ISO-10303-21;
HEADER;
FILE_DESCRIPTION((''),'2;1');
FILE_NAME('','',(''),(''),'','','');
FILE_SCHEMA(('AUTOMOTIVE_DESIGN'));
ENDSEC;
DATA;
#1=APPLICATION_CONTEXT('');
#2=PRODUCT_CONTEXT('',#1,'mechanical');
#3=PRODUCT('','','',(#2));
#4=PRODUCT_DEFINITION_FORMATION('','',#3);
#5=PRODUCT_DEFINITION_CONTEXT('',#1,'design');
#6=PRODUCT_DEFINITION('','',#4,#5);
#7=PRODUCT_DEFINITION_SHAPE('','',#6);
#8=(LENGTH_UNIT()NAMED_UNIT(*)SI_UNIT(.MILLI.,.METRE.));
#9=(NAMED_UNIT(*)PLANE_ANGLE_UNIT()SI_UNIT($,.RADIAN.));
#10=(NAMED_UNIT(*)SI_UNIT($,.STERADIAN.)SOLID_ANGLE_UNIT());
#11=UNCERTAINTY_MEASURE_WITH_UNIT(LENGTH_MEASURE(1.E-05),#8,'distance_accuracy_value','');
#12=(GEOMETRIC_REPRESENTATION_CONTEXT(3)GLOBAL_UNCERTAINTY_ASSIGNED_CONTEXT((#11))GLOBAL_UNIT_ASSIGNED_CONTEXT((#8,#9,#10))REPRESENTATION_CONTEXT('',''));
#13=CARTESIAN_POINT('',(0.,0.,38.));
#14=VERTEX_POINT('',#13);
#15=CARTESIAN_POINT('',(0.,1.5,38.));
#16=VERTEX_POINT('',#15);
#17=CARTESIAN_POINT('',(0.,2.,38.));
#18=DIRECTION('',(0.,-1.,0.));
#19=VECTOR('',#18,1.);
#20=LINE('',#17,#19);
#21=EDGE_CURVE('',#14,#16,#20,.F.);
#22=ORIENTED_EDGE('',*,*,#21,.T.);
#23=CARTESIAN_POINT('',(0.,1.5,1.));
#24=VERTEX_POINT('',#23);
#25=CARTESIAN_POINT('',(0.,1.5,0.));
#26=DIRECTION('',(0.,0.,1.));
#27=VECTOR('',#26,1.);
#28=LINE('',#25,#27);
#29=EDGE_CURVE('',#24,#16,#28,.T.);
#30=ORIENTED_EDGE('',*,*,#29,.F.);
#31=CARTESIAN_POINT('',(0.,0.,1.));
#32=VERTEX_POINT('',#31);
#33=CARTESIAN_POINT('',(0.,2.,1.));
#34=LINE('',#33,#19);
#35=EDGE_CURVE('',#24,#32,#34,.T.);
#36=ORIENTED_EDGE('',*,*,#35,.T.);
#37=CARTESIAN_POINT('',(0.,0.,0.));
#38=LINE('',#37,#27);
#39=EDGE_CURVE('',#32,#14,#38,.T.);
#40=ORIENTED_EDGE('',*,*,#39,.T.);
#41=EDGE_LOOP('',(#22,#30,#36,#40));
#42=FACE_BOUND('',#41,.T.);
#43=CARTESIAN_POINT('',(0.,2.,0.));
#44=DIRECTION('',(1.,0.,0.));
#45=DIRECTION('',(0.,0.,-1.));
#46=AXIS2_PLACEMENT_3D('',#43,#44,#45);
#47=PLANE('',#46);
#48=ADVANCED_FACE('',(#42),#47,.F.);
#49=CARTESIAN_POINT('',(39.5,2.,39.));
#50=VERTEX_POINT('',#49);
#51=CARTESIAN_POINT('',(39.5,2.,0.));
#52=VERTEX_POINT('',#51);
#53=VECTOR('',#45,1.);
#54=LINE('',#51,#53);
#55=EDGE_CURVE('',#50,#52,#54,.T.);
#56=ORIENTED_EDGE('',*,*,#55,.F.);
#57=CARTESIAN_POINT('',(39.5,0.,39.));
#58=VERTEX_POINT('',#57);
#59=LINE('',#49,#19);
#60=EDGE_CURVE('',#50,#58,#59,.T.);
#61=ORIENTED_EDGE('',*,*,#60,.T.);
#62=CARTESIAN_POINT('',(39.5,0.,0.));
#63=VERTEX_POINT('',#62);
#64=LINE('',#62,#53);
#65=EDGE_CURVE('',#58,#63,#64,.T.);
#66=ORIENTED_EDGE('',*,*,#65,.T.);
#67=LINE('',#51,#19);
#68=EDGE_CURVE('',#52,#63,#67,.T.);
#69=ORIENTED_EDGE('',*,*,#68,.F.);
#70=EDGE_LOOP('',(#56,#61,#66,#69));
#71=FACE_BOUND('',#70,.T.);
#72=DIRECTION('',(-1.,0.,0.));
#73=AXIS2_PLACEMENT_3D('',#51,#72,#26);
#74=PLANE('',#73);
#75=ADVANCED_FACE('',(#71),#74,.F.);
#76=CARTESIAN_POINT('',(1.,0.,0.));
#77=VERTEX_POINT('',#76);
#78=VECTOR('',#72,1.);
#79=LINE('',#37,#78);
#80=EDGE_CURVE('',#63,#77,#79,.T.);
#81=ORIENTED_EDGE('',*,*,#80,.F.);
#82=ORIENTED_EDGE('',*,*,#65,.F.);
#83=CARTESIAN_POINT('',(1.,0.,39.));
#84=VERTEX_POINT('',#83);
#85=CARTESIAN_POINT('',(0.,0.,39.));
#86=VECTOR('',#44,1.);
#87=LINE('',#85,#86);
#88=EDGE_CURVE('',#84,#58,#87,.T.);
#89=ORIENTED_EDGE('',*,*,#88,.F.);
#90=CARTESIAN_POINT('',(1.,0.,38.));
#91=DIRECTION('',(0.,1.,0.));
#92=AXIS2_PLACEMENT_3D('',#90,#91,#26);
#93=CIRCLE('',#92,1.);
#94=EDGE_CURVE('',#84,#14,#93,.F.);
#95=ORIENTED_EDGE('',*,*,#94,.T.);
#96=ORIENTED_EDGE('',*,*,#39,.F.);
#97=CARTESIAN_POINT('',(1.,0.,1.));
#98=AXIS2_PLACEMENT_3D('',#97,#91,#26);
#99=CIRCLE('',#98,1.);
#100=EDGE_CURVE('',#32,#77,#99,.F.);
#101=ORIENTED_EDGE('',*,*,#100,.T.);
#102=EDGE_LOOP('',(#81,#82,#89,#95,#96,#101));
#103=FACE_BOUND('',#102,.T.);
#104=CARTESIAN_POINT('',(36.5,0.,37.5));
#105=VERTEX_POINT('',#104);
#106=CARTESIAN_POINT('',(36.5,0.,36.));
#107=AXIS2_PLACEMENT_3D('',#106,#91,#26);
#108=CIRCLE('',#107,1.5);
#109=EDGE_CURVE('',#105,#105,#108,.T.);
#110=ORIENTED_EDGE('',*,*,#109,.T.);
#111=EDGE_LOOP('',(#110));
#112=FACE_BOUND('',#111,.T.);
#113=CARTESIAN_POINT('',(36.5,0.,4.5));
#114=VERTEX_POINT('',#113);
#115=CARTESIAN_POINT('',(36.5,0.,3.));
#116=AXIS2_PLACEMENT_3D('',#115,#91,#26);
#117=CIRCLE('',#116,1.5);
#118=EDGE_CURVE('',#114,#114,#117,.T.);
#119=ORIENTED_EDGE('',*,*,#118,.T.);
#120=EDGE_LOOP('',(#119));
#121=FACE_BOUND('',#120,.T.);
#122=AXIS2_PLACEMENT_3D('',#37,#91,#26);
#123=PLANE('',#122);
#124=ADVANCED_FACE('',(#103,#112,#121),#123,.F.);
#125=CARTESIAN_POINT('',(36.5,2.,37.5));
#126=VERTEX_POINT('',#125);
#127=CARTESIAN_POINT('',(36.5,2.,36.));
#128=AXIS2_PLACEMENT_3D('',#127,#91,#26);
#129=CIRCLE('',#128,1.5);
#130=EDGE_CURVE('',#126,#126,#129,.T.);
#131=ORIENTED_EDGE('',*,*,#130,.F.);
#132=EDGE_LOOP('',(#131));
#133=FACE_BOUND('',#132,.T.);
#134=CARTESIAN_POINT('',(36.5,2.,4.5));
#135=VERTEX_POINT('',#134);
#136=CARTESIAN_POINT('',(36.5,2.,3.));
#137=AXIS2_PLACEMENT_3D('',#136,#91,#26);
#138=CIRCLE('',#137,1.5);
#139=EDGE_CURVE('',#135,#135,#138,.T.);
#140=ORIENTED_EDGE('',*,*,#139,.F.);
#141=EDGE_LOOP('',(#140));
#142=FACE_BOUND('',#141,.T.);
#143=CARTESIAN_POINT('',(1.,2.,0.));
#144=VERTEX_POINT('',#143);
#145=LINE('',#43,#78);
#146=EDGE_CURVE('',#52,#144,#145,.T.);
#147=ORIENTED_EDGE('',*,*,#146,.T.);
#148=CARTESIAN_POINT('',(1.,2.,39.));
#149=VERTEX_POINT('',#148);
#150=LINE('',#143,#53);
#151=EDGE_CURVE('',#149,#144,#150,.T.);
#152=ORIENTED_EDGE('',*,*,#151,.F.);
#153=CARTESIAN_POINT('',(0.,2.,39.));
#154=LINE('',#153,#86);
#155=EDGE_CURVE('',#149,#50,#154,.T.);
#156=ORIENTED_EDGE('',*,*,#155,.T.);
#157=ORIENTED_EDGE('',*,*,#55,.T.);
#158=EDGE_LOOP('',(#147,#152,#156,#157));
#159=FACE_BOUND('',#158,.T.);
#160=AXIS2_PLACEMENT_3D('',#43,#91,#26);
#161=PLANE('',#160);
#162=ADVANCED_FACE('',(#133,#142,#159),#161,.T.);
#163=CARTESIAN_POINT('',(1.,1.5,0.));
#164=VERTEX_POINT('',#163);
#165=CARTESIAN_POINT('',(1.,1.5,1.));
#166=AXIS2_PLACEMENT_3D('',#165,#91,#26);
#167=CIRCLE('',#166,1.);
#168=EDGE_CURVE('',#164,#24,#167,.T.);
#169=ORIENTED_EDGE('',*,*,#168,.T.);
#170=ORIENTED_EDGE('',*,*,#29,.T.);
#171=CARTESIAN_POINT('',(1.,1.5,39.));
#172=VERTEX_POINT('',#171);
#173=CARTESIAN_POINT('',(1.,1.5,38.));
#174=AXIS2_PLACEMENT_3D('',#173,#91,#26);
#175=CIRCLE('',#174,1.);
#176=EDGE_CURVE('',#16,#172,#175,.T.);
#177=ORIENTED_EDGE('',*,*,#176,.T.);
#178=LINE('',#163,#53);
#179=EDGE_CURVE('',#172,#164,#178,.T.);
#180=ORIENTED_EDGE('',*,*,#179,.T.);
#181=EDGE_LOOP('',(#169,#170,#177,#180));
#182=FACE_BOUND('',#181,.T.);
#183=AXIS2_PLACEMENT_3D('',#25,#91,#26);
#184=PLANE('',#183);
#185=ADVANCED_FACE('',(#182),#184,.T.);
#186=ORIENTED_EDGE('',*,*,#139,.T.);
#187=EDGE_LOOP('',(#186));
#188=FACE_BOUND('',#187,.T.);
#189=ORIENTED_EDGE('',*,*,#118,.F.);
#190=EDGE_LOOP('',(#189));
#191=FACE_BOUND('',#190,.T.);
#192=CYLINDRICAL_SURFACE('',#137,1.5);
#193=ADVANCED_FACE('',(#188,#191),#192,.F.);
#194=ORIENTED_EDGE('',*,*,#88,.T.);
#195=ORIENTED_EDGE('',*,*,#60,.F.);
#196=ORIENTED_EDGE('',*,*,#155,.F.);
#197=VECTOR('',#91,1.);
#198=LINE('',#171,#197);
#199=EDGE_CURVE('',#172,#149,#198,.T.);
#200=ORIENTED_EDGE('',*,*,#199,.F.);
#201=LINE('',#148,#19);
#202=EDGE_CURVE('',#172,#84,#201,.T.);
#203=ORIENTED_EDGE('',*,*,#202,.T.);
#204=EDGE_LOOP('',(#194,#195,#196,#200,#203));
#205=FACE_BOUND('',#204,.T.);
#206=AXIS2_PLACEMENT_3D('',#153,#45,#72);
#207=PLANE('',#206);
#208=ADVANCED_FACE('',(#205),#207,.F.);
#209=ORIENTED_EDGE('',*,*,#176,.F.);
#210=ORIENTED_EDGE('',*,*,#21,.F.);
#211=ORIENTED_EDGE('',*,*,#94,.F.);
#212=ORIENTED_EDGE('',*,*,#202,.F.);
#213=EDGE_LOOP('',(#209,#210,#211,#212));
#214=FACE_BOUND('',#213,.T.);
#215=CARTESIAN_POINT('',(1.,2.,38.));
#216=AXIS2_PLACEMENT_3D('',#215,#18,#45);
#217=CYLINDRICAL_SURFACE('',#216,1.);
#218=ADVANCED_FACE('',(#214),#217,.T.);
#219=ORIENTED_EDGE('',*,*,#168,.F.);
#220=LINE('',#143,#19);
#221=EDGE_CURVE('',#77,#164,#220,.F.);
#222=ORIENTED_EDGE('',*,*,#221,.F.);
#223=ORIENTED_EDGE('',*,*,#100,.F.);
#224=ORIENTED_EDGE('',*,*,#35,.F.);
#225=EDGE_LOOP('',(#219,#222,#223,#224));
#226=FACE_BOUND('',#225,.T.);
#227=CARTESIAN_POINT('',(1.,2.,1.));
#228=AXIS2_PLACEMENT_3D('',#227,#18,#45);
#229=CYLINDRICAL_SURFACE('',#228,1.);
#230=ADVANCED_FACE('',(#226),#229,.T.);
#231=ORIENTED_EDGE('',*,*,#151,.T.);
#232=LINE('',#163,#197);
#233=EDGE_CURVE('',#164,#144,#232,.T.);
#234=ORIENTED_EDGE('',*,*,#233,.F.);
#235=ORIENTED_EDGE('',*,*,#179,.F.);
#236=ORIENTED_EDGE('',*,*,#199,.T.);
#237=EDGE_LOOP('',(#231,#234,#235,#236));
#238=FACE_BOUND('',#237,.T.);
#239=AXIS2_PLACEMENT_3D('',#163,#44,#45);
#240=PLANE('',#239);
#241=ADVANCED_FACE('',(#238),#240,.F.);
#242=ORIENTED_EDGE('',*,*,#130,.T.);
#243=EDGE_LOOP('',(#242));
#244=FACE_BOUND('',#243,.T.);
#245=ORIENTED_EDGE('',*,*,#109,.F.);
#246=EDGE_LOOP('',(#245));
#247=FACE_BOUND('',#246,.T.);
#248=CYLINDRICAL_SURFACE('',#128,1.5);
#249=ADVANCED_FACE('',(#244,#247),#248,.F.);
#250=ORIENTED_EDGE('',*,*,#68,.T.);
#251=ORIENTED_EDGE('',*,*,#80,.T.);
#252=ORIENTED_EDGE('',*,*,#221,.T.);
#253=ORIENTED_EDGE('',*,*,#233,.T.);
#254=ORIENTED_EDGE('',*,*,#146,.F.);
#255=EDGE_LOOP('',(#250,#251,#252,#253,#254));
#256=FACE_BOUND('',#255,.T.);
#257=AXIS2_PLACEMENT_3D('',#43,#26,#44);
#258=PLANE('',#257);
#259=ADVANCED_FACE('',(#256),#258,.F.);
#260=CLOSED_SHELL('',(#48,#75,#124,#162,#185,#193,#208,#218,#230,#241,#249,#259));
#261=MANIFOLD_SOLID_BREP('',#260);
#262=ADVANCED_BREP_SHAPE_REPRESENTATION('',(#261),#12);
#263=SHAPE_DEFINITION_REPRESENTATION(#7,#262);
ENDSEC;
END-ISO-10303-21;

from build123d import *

# Parameters (mm, degrees)
SKIZZE1_W                       = 39.5
SKIZZE1_H                       = 39
AUFSATZ_LINEAR_AUSTRAGEN1_DEPTH = 2
F_3_0_3_DURCHMESSER_BOHRUNG1_D  = 3
SKIZZE4_W                       = 1
SKIZZE4_H                       = 39
SCHNITT_LINEAR_AUSTRAGEN1_DEPTH = 0.5
VERRUNDUNG1_R                   = 1


with BuildPart() as part:
    # Skizze1 → Aufsatz-Linear austragen1 (new body)
    with BuildSketch(Plane(origin=(0, 0, 0), x_dir=(1, 0, 0), z_dir=(0, 1, 0))):
        with Locations((19.75, -19.5)):
            Rectangle(SKIZZE1_W, SKIZZE1_H)
    extrude(amount=AUFSATZ_LINEAR_AUSTRAGEN1_DEPTH)

    # Ø3.0 (3) Durchmesser Bohrung1 (through all)
    with Locations(Plane(origin=(0, 2, 0), x_dir=(1, 0, 0), z_dir=(0, 1, 0))):
        with Locations((36.5, -3), (36.5, -36)):
            Hole(F_3_0_3_DURCHMESSER_BOHRUNG1_D / 2)

    # Skizze4 → Schnitt-Linear austragen1 (cut)
    with BuildSketch(Plane(origin=(0, 2, 0), x_dir=(1, 0, 0), z_dir=(0, 1, 0))):
        with Locations((0.5, -19.5)):
            Rectangle(SKIZZE4_W, SKIZZE4_H)
    extrude(amount=-SCHNITT_LINEAR_AUSTRAGEN1_DEPTH, mode=Mode.SUBTRACT)

    # Verrundung1
    verrundung1_edges = [part.edges().sort_by_distance(p)[0] for p in [
        (0, 0.75, 0),
        (0, 0.75, 39),
    ]]
    fillet(verrundung1_edges, radius=VERRUNDUNG1_R)


solid = part.part
